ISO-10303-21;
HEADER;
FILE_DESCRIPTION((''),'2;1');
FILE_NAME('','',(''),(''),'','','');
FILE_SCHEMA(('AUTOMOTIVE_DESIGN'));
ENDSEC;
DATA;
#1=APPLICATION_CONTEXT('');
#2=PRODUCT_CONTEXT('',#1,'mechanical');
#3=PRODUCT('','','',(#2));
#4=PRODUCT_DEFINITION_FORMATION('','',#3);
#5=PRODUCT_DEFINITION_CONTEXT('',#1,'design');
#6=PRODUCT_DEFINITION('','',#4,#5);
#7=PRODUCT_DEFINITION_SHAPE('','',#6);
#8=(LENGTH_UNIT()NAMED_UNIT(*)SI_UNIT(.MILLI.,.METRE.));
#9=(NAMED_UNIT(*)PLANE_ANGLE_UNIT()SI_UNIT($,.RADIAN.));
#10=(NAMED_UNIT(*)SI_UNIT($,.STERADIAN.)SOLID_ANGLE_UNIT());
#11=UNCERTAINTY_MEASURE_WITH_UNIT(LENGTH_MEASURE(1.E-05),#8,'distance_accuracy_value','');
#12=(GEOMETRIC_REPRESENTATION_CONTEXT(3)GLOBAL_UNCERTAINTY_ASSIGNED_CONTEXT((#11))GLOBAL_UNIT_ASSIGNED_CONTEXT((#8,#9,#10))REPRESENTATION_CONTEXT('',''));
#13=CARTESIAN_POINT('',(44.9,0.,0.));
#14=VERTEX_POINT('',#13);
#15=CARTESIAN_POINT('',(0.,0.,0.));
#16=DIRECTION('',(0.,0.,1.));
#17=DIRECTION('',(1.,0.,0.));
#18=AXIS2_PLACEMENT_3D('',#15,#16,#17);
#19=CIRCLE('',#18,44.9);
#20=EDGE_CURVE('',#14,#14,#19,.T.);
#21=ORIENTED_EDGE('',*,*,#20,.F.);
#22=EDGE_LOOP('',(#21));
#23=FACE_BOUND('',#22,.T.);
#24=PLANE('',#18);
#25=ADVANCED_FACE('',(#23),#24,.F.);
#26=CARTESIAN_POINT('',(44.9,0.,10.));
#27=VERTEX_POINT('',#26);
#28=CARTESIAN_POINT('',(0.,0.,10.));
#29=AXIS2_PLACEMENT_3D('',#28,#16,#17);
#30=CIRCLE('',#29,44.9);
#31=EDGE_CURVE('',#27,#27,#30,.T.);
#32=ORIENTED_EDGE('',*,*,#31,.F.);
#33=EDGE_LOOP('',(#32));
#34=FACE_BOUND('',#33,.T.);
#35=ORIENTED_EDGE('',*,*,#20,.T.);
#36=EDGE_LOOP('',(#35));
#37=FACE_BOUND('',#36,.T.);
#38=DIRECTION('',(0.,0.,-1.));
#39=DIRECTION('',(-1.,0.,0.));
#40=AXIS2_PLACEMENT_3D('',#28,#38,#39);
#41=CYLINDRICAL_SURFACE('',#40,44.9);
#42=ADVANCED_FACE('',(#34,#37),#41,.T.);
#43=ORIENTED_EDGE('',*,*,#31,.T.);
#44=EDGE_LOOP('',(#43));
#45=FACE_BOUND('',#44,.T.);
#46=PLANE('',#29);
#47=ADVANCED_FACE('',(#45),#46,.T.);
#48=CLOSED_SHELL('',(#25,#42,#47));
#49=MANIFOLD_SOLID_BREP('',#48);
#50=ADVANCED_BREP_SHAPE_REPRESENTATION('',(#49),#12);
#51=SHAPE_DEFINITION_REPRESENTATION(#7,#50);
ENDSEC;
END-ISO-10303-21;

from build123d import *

# Parameters (mm, degrees)
SKETCH2_R           = 44.9
BOSS_EXTRUDE1_DEPTH = 10


with BuildPart() as part:
    # Sketch2 → Boss-Extrude1 (new body)
    with BuildSketch(Plane.XY):
        Circle(SKETCH2_R)
    extrude(amount=BOSS_EXTRUDE1_DEPTH)


solid = part.part
